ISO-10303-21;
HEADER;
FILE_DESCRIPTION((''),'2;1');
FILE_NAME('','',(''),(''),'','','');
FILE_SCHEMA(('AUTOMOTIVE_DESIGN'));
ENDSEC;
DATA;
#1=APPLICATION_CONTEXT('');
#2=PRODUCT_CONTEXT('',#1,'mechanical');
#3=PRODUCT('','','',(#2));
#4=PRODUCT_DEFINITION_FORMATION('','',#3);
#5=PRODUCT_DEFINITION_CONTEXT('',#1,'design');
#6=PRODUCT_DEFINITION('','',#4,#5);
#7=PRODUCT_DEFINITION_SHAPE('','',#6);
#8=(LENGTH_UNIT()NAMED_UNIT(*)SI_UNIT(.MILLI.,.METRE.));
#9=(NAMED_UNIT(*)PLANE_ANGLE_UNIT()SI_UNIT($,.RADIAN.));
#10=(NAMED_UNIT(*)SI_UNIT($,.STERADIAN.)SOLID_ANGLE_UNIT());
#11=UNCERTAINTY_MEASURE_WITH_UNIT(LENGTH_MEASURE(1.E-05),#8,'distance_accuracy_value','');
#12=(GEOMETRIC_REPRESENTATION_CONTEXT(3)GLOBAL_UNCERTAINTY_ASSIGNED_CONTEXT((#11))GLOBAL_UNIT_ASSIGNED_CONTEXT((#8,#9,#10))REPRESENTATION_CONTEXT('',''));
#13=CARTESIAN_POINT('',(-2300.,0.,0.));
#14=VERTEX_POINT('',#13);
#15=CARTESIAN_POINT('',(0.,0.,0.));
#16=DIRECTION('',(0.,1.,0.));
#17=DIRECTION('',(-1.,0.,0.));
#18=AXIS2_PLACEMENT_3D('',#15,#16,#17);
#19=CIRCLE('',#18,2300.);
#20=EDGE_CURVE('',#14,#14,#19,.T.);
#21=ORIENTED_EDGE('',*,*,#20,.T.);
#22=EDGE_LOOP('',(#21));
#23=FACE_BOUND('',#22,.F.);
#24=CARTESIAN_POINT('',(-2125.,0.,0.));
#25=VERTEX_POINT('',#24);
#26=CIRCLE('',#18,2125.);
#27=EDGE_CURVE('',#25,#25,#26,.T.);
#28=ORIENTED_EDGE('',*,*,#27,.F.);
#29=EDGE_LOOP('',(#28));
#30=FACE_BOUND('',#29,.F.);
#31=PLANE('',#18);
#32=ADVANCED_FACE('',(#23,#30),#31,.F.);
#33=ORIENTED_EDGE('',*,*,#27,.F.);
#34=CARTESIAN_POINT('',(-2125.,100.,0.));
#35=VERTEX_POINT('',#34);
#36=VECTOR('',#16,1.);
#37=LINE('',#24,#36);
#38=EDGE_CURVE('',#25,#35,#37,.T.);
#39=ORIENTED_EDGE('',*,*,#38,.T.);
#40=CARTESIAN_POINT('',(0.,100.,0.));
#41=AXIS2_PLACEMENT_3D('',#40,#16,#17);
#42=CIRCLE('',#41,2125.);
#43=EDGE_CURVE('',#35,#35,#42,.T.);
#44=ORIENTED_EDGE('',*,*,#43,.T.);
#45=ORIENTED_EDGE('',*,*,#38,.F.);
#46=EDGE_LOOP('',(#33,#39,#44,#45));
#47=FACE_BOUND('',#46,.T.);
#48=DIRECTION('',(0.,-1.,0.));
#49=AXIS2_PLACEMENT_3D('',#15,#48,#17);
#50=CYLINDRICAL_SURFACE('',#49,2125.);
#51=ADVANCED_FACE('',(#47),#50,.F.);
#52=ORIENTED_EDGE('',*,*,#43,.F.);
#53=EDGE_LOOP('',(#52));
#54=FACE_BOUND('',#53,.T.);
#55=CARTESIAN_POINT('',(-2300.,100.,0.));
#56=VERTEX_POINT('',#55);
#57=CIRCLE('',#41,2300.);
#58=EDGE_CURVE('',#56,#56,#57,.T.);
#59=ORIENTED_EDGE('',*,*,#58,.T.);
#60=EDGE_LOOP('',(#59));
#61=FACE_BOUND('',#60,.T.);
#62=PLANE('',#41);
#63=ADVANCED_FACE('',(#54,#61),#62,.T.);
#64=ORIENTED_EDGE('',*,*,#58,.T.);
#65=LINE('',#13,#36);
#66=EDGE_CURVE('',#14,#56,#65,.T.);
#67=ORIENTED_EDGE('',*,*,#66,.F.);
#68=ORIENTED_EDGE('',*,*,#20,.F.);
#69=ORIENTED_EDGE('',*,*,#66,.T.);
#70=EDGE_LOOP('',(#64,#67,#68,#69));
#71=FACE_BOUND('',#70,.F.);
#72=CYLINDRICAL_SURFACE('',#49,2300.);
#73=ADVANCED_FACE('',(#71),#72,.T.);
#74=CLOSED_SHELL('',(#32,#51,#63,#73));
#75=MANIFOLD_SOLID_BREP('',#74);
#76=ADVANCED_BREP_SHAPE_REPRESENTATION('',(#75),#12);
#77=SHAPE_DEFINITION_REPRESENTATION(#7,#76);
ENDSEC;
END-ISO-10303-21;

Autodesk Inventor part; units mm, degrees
ref_plane "YZ Plane" through (0, 0, 0) normal (1, 0, 0) x (0, 1, 0)
ref_plane "XZ Plane" through (0, 0, 0) normal (0, 1, 0) x (-1, 0, 0)
ref_plane "XY Plane" through (0, 0, 0) normal (0, 0, 1) x (1, 0, 0)
sketch "Sketch1" plane through (0, 0, 0) normal (0, 1, 0) x (-1, 0, 0)
  circle A0 centre (0, 0) radius 2125
  circle A1 centre (0, 0) radius 2300
  dimension "d2" = 100
extrude "Extrusion1" add sketch "Sketch1" along normal blind 100
